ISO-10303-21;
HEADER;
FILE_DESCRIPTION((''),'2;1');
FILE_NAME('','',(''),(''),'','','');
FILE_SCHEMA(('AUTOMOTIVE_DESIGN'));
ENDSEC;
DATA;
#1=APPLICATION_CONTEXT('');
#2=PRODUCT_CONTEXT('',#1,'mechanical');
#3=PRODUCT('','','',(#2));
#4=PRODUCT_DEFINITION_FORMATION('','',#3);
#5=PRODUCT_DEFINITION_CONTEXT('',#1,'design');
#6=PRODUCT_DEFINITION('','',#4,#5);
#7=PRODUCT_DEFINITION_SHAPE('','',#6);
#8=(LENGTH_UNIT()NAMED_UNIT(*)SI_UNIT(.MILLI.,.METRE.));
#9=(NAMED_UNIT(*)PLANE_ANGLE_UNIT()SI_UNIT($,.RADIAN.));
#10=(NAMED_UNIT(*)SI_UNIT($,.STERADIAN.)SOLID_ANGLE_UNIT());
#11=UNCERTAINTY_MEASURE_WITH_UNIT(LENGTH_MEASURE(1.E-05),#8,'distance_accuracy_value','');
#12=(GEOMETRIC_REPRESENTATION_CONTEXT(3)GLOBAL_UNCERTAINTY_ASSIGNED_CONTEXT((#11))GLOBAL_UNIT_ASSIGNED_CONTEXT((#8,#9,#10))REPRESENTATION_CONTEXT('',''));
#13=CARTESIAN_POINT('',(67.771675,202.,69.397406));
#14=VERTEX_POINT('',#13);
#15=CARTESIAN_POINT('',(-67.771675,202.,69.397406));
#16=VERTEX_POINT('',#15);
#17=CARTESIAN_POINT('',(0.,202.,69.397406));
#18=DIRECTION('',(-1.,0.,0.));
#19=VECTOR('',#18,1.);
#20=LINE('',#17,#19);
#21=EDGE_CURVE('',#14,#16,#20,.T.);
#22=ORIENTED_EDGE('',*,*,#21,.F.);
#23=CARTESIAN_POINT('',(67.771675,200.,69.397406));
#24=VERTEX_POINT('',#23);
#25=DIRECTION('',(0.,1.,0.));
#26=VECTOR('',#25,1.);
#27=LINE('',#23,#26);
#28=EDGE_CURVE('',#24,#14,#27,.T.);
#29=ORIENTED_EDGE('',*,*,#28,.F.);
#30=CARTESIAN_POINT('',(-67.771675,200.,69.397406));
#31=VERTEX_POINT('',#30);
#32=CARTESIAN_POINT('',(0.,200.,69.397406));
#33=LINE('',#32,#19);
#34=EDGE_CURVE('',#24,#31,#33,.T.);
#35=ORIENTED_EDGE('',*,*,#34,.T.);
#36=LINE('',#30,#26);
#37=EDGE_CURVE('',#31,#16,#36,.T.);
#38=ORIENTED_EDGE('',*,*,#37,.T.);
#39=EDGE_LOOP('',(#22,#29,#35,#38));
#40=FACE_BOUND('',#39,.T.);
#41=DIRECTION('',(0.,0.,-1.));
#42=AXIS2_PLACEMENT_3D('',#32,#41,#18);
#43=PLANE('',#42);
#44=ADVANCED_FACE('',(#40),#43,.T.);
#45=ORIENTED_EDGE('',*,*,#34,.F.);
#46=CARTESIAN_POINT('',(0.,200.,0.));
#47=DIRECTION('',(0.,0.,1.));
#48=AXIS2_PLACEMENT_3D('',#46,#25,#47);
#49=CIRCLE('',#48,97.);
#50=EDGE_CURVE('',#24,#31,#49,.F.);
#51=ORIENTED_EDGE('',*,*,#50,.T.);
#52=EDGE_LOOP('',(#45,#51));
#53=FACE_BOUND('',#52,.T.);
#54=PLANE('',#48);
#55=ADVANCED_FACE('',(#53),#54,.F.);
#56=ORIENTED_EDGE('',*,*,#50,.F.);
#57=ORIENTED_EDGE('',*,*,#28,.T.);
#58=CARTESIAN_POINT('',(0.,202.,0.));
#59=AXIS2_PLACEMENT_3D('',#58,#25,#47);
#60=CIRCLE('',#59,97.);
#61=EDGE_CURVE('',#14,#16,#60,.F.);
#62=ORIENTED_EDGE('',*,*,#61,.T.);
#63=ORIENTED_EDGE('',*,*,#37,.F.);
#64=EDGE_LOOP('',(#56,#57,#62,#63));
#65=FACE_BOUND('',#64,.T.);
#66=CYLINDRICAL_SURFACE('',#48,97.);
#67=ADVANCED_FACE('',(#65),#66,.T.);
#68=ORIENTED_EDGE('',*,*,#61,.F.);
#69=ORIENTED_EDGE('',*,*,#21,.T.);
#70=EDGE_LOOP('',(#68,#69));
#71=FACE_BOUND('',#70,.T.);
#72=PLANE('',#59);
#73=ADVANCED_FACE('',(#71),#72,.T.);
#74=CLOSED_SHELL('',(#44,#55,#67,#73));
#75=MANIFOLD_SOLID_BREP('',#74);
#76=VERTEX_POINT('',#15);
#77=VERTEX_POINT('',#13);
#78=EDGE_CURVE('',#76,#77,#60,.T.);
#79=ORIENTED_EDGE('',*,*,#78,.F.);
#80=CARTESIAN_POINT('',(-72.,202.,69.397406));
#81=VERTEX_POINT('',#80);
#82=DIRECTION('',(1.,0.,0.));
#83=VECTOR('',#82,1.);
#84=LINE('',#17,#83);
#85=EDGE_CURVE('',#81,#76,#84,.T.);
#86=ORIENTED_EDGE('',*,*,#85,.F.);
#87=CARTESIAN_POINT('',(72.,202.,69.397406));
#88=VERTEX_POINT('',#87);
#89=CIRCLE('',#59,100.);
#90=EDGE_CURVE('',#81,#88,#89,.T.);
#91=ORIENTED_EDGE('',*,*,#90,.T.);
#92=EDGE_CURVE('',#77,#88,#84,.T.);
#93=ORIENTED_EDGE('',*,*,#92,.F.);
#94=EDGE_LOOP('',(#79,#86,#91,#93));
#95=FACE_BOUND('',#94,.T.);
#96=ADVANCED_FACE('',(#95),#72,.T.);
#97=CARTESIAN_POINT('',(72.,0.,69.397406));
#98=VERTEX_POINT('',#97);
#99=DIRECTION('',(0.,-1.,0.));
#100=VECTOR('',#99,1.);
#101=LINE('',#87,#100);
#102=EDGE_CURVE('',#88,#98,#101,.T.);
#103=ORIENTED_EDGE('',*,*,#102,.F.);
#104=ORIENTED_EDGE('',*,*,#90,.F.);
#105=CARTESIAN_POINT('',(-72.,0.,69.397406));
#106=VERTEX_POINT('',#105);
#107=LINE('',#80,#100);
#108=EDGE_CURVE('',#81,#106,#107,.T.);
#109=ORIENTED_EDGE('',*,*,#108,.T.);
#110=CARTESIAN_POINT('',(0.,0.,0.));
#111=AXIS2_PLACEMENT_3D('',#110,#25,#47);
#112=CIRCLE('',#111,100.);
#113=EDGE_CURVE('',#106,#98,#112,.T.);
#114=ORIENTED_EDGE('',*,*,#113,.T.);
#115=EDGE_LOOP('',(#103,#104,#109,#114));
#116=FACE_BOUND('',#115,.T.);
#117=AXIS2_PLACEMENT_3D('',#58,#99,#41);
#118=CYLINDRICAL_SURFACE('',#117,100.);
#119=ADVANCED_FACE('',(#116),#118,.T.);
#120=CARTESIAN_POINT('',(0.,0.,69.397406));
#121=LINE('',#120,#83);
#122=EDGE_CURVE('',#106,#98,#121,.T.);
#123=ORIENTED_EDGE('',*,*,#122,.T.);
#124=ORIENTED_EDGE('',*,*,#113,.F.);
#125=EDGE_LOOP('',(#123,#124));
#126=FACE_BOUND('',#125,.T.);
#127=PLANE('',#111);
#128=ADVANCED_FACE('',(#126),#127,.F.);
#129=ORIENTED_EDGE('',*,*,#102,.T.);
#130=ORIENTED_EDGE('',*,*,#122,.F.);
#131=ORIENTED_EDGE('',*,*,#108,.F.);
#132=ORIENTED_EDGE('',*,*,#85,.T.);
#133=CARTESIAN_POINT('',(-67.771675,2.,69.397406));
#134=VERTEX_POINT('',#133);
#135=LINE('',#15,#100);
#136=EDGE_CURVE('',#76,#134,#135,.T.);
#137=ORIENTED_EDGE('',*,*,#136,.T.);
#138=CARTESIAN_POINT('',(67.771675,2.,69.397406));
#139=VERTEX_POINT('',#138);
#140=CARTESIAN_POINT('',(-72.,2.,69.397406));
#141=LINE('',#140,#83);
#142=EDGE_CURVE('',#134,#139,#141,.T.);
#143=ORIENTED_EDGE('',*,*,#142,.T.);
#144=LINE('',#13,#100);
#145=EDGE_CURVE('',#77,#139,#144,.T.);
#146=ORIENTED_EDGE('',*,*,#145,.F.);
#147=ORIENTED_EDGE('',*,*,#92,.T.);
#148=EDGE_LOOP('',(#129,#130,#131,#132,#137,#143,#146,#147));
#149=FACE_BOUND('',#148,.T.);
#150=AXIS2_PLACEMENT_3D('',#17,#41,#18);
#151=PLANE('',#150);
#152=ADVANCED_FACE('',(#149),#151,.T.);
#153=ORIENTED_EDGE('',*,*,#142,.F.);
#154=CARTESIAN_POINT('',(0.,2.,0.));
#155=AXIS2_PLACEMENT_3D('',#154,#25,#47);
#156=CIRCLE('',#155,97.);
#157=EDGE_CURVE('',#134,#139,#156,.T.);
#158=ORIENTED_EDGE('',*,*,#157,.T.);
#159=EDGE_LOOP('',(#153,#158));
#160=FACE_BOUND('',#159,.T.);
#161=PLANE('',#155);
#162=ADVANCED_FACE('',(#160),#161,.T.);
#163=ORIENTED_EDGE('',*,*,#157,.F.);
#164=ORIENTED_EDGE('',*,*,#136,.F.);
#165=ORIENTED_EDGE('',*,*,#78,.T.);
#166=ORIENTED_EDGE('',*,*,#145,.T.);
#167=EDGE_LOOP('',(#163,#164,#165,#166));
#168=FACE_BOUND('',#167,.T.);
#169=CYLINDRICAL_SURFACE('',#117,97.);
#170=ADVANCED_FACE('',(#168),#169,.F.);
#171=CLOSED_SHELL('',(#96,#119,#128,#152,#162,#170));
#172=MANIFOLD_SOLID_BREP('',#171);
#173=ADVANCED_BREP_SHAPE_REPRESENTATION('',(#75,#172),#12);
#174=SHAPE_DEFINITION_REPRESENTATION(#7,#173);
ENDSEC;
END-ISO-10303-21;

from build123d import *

# Parameters (mm, degrees)
BOSS_EXTRUDE3_DEPTH = 202
BOSS_EXTRUDE4_DEPTH = 2
BOSS_EXTRUDE5_DEPTH = 2


with BuildPart() as part:
    # Sketch1 → Boss-Extrude3 (new body)
    with BuildSketch(Plane(origin=(0, 0, 0), x_dir=(1, 0, 0), z_dir=(0, 1, 0))):
        with BuildLine():
            Line((-67.771675499, -69.397406292), (-72, -69.397406292))
            ThreePointArc((-72, -69.397406292), (0, -100), (72, -69.397406292))
            Line((72, -69.397406292), (67.771675499, -69.397406292))
            ThreePointArc((67.771675499, -69.397406292), (66.18137474, -70.915623367), (64.557072132, -72.397406292))
            ThreePointArc((64.557072132, -72.397406292), (0, -97), (-64.557072132, -72.397406292))
            ThreePointArc((-64.557072132, -72.397406292), (-66.18137474, -70.915623367), (-67.771675499, -69.397406292))
        make_face()
    extrude(amount=BOSS_EXTRUDE3_DEPTH)

    # Sketch1<6> → Boss-Extrude4 (add)
    with BuildSketch(Plane(origin=(0, 0, 0), x_dir=(1, 0, 0), z_dir=(0, 1, 0))):
        with BuildLine():
            Line((-72, -69.397406292), (72, -69.397406292))
            ThreePointArc((72, -69.397406292), (0, -100), (-72, -69.397406292))
        make_face()
    extrude(amount=BOSS_EXTRUDE4_DEPTH)


with BuildPart() as body_2:
    # Sketch7 → Boss-Extrude5 (new body)
    with BuildSketch(Plane(origin=(0, 202, 0), x_dir=(1, 0, 0), z_dir=(0, 1, 0))):
        with BuildLine():
            Line((67.771675499, -69.397406292), (-67.771675499, -69.397406292))
            ThreePointArc((-67.771675499, -69.397406292), (0, -97), (67.771675499, -69.397406292))
        make_face()
    extrude(amount=-BOSS_EXTRUDE5_DEPTH)


solid = Compound([part.part, body_2.part])
